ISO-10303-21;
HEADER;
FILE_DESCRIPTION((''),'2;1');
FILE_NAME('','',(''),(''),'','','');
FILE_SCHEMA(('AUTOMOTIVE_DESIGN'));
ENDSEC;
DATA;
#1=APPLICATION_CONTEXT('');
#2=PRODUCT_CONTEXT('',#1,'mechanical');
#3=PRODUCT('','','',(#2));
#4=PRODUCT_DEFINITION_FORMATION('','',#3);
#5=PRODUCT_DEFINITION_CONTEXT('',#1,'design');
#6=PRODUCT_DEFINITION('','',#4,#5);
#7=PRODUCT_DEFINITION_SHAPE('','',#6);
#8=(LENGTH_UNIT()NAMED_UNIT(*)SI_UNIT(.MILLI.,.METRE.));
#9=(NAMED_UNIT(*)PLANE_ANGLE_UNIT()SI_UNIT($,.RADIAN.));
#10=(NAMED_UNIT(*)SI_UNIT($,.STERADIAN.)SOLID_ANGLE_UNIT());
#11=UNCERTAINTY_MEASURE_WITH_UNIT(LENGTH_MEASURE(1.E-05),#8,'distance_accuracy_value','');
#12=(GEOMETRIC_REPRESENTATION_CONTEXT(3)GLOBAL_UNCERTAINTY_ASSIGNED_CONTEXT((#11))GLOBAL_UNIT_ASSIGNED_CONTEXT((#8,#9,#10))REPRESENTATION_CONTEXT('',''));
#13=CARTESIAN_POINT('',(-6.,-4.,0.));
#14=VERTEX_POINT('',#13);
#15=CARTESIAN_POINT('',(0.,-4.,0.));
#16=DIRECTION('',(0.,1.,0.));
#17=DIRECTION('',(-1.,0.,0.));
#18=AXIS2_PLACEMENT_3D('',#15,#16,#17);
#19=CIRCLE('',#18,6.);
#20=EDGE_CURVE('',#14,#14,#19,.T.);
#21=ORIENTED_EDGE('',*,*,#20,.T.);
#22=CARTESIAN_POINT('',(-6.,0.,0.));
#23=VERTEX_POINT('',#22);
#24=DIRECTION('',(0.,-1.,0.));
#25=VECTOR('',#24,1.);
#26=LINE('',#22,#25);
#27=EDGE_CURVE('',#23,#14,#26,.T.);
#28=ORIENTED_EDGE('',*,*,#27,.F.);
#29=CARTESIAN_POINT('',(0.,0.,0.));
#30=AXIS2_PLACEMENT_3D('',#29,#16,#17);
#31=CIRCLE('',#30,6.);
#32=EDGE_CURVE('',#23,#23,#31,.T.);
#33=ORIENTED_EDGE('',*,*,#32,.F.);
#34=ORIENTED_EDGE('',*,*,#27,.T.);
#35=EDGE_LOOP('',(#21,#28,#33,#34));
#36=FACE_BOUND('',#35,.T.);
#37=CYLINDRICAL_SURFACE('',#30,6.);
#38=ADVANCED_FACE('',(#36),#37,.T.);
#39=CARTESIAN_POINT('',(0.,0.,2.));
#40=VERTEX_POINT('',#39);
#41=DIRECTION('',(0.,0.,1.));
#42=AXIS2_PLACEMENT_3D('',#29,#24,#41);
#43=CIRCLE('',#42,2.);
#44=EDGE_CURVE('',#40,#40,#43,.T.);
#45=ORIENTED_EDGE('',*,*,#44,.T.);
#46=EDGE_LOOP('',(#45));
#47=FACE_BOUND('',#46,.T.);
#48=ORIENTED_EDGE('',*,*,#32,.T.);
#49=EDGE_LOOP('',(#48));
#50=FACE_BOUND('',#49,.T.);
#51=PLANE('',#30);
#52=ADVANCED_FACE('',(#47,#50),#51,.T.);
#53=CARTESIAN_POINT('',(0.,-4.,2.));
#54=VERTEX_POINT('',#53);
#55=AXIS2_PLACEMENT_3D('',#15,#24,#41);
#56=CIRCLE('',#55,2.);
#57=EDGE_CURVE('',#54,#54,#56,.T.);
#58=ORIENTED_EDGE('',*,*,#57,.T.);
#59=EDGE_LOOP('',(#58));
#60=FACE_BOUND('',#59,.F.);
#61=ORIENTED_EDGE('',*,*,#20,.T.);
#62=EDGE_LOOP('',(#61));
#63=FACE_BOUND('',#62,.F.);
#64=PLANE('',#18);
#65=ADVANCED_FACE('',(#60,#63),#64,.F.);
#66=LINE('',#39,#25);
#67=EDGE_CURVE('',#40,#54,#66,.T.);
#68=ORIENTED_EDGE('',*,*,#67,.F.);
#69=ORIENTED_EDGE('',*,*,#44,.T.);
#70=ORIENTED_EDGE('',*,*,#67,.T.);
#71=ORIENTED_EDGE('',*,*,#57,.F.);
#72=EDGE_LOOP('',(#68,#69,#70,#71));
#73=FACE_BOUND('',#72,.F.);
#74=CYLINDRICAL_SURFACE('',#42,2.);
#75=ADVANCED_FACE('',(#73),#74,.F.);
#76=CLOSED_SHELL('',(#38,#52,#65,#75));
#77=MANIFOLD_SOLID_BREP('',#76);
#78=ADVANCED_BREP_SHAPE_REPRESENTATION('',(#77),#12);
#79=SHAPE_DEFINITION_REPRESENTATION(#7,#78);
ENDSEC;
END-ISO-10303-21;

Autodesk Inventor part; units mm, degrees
ref_plane "YZ Plane" through (0, 0, 0) normal (1, 0, 0) x (0, 1, 0)
ref_plane "XZ Plane" through (0, 0, 0) normal (0, 1, 0) x (-1, 0, 0)
ref_plane "XY Plane" through (0, 0, 0) normal (0, 0, 1) x (1, 0, 0)
sketch "Sketch1" plane through (0, 0, 0) normal (0, 1, 0) x (-1, 0, 0)
  circle A0 centre (0, 0) radius 6
  dimension "d0" = 12
extrude "Extrusion1" add sketch "Sketch1" against normal blind 4
sketch "Sketch2" plane through (0, 0, 0) normal (0, 1, 0) x (1, 0, 0)
  point P0 (0, 0)
hole "Hole1" at (0, 0, 0) direction (0, -1, 0) diameter 4 end through all
properties part number "13-0005" material "Polystyrene, High Impact"
